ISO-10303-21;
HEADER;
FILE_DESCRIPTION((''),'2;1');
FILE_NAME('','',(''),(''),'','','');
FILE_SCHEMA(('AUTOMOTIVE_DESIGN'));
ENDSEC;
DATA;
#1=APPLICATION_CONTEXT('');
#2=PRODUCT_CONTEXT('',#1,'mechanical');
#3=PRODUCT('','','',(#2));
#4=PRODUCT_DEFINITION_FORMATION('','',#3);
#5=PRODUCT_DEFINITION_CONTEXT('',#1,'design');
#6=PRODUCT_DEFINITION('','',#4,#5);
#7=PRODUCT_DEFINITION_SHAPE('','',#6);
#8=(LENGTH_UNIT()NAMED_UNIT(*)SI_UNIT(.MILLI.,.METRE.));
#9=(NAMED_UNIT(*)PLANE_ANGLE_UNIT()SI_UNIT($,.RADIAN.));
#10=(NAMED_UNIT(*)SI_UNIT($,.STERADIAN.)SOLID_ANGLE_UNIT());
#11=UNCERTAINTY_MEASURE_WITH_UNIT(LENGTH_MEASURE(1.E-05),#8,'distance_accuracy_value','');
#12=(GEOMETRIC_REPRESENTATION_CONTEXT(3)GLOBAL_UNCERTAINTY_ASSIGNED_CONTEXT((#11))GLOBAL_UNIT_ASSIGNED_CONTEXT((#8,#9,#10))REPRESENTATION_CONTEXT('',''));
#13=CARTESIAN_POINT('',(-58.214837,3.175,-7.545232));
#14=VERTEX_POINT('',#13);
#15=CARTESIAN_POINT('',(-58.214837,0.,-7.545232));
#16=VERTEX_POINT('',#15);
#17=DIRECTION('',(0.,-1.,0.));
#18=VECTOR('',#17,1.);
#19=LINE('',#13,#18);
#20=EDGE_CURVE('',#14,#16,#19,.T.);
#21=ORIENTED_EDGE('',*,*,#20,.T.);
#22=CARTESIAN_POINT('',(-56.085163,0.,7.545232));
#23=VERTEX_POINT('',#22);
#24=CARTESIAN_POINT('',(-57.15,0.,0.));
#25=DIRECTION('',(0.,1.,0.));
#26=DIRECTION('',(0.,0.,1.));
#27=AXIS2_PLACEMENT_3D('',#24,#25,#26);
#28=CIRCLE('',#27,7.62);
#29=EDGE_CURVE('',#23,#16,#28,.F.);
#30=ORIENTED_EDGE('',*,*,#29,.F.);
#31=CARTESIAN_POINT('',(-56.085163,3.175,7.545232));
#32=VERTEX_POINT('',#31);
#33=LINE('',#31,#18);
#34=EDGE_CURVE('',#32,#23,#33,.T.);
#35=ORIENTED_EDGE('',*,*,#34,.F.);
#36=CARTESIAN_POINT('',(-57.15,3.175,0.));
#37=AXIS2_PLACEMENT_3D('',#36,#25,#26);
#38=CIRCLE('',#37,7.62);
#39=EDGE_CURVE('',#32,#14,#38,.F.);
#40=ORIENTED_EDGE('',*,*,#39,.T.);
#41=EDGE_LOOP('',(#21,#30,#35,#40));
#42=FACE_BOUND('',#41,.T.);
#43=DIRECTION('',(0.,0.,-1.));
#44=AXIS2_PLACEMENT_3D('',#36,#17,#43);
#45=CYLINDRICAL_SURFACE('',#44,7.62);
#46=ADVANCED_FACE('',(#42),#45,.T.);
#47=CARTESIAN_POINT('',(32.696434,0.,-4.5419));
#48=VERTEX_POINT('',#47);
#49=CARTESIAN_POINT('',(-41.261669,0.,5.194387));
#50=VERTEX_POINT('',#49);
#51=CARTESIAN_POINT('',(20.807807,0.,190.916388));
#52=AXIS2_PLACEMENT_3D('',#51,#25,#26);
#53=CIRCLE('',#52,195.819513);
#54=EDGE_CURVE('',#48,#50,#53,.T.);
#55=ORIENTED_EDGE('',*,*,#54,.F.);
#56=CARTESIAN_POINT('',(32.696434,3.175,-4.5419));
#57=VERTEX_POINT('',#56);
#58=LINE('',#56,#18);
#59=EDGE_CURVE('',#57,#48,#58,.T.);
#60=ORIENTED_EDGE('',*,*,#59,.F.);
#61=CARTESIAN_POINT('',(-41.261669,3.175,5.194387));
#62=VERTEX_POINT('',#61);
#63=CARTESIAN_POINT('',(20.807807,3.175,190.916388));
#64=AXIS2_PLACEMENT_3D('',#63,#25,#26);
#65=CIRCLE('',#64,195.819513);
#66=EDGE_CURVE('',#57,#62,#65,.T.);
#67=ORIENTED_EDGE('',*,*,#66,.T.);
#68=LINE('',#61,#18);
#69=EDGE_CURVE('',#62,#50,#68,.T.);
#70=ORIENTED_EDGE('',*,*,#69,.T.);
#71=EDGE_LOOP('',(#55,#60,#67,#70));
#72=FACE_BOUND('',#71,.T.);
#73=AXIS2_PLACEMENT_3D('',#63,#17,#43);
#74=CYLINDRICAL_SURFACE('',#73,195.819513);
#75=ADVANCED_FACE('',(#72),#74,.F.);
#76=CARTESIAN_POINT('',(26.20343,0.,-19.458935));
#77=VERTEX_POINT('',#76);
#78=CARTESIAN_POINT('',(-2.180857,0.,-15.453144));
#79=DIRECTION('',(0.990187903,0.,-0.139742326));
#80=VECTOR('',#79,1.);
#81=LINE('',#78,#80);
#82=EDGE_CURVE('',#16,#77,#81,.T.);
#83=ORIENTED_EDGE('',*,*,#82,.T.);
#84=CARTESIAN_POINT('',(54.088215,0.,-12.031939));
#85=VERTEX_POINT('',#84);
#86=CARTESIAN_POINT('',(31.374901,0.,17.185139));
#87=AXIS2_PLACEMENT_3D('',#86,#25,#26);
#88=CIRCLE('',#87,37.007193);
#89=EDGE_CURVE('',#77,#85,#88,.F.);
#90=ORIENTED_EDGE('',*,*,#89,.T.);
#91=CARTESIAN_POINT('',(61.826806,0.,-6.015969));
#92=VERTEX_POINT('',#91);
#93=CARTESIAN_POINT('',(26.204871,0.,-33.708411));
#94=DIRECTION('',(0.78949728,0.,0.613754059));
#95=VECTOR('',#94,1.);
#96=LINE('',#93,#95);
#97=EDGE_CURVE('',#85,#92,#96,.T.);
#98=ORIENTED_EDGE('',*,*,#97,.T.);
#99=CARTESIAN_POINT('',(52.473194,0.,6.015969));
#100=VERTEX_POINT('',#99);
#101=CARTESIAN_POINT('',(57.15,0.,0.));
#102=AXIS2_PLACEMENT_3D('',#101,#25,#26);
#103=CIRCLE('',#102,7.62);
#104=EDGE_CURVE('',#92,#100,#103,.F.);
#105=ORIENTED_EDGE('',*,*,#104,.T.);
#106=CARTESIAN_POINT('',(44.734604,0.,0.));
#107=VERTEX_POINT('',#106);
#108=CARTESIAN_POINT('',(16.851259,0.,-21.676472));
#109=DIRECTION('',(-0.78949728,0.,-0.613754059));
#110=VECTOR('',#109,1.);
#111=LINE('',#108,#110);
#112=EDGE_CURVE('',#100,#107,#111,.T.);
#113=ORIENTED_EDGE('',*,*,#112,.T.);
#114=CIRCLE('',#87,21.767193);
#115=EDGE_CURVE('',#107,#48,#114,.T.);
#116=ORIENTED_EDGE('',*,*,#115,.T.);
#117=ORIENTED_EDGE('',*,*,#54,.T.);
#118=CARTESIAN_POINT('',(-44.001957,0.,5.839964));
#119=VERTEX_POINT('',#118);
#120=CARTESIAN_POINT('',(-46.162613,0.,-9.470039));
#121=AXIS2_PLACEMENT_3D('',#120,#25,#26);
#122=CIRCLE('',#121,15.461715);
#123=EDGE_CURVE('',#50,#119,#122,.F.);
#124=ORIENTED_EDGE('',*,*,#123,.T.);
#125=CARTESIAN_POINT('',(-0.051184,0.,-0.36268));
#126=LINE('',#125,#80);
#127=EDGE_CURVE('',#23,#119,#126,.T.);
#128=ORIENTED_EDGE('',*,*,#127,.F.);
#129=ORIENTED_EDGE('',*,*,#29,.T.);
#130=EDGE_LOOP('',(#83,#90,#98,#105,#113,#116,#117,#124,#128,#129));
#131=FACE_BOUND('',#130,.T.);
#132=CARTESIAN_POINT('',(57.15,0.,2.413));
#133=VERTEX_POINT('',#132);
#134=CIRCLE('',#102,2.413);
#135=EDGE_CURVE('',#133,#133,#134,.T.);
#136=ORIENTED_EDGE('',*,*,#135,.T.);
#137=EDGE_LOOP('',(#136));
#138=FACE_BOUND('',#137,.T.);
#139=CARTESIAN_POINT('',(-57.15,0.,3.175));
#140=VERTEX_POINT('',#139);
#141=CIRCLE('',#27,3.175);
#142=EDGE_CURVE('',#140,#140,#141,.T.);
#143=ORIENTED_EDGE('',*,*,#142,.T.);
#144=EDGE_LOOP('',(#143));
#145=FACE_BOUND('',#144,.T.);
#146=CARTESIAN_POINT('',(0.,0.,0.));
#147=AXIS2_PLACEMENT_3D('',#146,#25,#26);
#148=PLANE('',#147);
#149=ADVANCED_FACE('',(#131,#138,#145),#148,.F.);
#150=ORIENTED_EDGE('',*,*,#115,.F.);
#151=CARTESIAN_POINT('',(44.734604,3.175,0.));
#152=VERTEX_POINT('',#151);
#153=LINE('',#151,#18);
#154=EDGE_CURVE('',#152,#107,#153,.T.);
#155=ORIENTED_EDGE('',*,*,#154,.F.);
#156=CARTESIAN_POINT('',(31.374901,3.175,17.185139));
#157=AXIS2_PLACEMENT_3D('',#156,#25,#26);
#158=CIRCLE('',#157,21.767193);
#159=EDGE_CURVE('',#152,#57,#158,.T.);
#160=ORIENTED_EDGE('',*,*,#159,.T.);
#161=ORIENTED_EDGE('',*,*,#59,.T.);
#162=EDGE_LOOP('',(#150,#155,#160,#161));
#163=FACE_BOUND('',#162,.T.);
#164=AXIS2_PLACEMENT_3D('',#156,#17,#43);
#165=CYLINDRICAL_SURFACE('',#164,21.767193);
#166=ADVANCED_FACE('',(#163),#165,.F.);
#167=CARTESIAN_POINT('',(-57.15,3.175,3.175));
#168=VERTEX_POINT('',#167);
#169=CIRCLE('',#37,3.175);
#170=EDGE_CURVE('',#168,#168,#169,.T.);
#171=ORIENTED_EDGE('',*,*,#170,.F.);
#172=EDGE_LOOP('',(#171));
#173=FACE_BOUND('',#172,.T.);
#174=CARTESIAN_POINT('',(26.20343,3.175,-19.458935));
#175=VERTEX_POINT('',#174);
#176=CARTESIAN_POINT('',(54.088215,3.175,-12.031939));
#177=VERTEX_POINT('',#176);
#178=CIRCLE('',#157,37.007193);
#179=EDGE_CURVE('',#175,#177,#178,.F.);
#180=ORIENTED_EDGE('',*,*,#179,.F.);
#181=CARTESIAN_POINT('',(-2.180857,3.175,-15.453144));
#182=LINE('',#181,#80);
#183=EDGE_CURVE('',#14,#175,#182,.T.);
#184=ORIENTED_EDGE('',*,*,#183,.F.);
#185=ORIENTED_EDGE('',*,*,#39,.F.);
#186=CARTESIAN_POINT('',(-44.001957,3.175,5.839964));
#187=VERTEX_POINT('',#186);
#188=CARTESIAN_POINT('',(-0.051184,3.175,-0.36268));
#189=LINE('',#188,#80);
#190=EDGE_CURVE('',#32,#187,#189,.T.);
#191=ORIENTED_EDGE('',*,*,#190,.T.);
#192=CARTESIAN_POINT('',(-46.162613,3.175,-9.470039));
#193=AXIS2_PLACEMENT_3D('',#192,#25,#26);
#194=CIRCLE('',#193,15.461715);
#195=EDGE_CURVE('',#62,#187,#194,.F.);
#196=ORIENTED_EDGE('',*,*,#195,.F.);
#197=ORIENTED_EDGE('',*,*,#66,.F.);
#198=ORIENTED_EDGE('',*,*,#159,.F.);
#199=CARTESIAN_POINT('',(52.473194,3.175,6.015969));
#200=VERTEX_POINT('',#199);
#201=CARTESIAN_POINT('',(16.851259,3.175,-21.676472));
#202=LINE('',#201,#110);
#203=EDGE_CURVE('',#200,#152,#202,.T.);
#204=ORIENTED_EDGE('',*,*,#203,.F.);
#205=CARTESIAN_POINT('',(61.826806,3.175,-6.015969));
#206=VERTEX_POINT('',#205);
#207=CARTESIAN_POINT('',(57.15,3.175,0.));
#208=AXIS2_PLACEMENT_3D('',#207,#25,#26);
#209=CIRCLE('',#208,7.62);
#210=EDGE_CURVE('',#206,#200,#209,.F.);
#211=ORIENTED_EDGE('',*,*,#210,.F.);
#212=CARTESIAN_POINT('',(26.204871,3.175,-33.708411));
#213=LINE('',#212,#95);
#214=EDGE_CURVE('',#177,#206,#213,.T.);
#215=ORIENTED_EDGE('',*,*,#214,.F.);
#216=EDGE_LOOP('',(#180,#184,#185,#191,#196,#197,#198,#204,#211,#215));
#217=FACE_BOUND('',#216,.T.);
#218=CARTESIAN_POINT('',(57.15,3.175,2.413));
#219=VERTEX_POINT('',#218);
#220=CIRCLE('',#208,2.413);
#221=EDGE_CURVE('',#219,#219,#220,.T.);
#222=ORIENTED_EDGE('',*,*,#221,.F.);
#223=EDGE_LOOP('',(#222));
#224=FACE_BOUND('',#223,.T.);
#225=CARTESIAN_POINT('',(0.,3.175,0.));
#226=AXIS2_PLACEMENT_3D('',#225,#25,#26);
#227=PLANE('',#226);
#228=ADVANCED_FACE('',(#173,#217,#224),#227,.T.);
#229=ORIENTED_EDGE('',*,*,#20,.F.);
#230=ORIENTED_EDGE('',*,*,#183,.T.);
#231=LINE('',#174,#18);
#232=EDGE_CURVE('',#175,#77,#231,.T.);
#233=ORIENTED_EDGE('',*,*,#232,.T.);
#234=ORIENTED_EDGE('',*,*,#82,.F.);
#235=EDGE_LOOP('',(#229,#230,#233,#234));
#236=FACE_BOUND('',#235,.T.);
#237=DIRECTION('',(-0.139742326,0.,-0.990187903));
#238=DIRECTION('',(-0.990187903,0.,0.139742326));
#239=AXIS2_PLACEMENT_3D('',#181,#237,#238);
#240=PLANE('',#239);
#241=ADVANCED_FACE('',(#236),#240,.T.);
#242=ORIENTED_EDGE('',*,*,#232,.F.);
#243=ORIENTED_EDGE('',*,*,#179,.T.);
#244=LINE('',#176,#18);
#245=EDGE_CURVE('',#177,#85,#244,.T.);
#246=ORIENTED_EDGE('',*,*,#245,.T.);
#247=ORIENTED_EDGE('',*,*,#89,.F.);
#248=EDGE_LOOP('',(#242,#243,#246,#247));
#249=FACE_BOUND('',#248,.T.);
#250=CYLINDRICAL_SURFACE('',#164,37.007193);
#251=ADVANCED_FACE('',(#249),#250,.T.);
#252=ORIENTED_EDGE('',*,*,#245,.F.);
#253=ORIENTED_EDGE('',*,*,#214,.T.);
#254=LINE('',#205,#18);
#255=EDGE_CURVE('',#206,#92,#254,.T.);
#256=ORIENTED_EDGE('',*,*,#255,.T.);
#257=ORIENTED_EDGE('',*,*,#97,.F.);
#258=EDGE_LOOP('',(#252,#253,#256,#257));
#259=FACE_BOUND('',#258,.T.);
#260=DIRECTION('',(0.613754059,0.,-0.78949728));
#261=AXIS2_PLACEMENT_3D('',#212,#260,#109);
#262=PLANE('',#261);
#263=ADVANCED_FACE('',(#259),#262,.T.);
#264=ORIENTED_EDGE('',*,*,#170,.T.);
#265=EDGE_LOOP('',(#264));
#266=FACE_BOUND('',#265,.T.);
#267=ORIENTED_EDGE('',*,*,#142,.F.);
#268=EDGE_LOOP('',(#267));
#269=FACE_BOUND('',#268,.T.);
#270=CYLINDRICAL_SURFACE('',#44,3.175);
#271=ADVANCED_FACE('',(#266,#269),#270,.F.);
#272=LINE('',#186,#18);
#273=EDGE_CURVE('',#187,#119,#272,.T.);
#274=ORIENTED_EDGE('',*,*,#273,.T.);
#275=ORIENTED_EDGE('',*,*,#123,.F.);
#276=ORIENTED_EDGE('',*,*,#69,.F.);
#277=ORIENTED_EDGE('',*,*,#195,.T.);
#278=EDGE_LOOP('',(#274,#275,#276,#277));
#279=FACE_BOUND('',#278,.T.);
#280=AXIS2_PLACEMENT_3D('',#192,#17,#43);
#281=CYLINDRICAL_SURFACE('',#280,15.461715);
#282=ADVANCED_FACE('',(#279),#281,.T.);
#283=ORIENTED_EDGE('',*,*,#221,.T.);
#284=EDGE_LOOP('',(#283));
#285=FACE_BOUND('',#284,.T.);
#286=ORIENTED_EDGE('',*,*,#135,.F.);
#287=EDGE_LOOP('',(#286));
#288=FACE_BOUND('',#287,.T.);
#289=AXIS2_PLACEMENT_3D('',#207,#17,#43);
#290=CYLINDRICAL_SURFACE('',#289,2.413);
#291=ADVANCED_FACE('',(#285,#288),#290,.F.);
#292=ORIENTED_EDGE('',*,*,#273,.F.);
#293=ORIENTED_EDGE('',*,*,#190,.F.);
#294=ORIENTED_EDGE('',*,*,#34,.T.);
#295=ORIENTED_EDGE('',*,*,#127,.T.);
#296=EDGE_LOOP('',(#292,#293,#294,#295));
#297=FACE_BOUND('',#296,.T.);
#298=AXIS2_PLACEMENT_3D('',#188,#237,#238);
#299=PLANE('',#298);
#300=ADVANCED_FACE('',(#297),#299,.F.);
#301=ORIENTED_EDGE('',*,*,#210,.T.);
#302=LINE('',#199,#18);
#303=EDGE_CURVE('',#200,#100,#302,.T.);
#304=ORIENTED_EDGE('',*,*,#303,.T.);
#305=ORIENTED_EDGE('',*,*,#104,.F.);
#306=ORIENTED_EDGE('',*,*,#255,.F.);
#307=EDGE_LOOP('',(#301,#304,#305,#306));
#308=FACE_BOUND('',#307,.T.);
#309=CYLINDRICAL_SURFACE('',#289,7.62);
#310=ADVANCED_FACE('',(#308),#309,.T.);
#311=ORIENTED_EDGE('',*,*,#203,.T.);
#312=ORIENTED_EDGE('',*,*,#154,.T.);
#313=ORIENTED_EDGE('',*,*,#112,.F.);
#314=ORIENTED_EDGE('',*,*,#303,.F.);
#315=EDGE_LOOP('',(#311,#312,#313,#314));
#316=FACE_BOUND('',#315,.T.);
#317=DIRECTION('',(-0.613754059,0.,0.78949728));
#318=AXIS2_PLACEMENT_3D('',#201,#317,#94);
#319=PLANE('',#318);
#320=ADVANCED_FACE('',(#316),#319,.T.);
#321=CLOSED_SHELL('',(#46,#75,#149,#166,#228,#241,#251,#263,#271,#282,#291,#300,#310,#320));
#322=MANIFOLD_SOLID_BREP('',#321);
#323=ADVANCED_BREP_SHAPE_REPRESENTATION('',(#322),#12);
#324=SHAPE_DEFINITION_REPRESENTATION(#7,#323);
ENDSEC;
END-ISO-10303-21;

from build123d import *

# Parameters (mm, degrees)
SKETCH2_R           = 3.175
SKETCH2_R_2         = 2.413
BOSS_EXTRUDE2_DEPTH = 3.175


with BuildPart() as part:
    # Sketch2 → Boss-Extrude2 (new body)
    with BuildSketch(Plane(origin=(0, 0, 0), x_dir=(1, 0, 0), z_dir=(0, 1, 0))):
        with BuildLine():
            ThreePointArc((-57.15, -7.62), (-56.616270879, -7.601284972), (-56.085163479, -7.545231818))
            Line((-56.085163479, -7.545231818), (-44.001957312, -5.839964235))
            ThreePointArc((-44.001957312, -5.839964235), (-42.617088962, -5.579674967), (-41.261668847, -5.194386554))
            ThreePointArc((-41.261668847, -5.194386554), (-4.750522579, 3.228025881), (32.696434157, 4.541899627))
            ThreePointArc((32.696434157, 4.541899627), (39.058772614, 3.180733721), (44.734603501, 0))
            Line((44.734603501, 0), (52.473194068, -6.015969271))
            ThreePointArc((52.473194068, -6.015969271), (54.677884089, -7.207845928), (57.15, -7.62))
            ThreePointArc((57.15, -7.62), (64.357845928, -2.472115911), (61.826805932, 6.015969271))
            Line((61.826805932, 6.015969271), (54.088215365, 12.031938542))
            ThreePointArc((54.088215365, 12.031938542), (40.899560171, 18.575357931), (26.203429573, 19.458935064))
            Line((26.203429573, 19.458935064), (-58.214836521, 7.545231818))
            ThreePointArc((-58.214836521, 7.545231818), (-64.751284972, -0.533729121), (-57.15, -7.62))
        make_face()
        with Locations(Location((-57.15, 0, 0), (0, 0, 270))):
            Circle(SKETCH2_R, mode=Mode.SUBTRACT)
        with Locations(Location((57.15, 0, 0), (0, 0, 270))):
            Circle(SKETCH2_R_2, mode=Mode.SUBTRACT)
    extrude(amount=BOSS_EXTRUDE2_DEPTH)


solid = part.part
